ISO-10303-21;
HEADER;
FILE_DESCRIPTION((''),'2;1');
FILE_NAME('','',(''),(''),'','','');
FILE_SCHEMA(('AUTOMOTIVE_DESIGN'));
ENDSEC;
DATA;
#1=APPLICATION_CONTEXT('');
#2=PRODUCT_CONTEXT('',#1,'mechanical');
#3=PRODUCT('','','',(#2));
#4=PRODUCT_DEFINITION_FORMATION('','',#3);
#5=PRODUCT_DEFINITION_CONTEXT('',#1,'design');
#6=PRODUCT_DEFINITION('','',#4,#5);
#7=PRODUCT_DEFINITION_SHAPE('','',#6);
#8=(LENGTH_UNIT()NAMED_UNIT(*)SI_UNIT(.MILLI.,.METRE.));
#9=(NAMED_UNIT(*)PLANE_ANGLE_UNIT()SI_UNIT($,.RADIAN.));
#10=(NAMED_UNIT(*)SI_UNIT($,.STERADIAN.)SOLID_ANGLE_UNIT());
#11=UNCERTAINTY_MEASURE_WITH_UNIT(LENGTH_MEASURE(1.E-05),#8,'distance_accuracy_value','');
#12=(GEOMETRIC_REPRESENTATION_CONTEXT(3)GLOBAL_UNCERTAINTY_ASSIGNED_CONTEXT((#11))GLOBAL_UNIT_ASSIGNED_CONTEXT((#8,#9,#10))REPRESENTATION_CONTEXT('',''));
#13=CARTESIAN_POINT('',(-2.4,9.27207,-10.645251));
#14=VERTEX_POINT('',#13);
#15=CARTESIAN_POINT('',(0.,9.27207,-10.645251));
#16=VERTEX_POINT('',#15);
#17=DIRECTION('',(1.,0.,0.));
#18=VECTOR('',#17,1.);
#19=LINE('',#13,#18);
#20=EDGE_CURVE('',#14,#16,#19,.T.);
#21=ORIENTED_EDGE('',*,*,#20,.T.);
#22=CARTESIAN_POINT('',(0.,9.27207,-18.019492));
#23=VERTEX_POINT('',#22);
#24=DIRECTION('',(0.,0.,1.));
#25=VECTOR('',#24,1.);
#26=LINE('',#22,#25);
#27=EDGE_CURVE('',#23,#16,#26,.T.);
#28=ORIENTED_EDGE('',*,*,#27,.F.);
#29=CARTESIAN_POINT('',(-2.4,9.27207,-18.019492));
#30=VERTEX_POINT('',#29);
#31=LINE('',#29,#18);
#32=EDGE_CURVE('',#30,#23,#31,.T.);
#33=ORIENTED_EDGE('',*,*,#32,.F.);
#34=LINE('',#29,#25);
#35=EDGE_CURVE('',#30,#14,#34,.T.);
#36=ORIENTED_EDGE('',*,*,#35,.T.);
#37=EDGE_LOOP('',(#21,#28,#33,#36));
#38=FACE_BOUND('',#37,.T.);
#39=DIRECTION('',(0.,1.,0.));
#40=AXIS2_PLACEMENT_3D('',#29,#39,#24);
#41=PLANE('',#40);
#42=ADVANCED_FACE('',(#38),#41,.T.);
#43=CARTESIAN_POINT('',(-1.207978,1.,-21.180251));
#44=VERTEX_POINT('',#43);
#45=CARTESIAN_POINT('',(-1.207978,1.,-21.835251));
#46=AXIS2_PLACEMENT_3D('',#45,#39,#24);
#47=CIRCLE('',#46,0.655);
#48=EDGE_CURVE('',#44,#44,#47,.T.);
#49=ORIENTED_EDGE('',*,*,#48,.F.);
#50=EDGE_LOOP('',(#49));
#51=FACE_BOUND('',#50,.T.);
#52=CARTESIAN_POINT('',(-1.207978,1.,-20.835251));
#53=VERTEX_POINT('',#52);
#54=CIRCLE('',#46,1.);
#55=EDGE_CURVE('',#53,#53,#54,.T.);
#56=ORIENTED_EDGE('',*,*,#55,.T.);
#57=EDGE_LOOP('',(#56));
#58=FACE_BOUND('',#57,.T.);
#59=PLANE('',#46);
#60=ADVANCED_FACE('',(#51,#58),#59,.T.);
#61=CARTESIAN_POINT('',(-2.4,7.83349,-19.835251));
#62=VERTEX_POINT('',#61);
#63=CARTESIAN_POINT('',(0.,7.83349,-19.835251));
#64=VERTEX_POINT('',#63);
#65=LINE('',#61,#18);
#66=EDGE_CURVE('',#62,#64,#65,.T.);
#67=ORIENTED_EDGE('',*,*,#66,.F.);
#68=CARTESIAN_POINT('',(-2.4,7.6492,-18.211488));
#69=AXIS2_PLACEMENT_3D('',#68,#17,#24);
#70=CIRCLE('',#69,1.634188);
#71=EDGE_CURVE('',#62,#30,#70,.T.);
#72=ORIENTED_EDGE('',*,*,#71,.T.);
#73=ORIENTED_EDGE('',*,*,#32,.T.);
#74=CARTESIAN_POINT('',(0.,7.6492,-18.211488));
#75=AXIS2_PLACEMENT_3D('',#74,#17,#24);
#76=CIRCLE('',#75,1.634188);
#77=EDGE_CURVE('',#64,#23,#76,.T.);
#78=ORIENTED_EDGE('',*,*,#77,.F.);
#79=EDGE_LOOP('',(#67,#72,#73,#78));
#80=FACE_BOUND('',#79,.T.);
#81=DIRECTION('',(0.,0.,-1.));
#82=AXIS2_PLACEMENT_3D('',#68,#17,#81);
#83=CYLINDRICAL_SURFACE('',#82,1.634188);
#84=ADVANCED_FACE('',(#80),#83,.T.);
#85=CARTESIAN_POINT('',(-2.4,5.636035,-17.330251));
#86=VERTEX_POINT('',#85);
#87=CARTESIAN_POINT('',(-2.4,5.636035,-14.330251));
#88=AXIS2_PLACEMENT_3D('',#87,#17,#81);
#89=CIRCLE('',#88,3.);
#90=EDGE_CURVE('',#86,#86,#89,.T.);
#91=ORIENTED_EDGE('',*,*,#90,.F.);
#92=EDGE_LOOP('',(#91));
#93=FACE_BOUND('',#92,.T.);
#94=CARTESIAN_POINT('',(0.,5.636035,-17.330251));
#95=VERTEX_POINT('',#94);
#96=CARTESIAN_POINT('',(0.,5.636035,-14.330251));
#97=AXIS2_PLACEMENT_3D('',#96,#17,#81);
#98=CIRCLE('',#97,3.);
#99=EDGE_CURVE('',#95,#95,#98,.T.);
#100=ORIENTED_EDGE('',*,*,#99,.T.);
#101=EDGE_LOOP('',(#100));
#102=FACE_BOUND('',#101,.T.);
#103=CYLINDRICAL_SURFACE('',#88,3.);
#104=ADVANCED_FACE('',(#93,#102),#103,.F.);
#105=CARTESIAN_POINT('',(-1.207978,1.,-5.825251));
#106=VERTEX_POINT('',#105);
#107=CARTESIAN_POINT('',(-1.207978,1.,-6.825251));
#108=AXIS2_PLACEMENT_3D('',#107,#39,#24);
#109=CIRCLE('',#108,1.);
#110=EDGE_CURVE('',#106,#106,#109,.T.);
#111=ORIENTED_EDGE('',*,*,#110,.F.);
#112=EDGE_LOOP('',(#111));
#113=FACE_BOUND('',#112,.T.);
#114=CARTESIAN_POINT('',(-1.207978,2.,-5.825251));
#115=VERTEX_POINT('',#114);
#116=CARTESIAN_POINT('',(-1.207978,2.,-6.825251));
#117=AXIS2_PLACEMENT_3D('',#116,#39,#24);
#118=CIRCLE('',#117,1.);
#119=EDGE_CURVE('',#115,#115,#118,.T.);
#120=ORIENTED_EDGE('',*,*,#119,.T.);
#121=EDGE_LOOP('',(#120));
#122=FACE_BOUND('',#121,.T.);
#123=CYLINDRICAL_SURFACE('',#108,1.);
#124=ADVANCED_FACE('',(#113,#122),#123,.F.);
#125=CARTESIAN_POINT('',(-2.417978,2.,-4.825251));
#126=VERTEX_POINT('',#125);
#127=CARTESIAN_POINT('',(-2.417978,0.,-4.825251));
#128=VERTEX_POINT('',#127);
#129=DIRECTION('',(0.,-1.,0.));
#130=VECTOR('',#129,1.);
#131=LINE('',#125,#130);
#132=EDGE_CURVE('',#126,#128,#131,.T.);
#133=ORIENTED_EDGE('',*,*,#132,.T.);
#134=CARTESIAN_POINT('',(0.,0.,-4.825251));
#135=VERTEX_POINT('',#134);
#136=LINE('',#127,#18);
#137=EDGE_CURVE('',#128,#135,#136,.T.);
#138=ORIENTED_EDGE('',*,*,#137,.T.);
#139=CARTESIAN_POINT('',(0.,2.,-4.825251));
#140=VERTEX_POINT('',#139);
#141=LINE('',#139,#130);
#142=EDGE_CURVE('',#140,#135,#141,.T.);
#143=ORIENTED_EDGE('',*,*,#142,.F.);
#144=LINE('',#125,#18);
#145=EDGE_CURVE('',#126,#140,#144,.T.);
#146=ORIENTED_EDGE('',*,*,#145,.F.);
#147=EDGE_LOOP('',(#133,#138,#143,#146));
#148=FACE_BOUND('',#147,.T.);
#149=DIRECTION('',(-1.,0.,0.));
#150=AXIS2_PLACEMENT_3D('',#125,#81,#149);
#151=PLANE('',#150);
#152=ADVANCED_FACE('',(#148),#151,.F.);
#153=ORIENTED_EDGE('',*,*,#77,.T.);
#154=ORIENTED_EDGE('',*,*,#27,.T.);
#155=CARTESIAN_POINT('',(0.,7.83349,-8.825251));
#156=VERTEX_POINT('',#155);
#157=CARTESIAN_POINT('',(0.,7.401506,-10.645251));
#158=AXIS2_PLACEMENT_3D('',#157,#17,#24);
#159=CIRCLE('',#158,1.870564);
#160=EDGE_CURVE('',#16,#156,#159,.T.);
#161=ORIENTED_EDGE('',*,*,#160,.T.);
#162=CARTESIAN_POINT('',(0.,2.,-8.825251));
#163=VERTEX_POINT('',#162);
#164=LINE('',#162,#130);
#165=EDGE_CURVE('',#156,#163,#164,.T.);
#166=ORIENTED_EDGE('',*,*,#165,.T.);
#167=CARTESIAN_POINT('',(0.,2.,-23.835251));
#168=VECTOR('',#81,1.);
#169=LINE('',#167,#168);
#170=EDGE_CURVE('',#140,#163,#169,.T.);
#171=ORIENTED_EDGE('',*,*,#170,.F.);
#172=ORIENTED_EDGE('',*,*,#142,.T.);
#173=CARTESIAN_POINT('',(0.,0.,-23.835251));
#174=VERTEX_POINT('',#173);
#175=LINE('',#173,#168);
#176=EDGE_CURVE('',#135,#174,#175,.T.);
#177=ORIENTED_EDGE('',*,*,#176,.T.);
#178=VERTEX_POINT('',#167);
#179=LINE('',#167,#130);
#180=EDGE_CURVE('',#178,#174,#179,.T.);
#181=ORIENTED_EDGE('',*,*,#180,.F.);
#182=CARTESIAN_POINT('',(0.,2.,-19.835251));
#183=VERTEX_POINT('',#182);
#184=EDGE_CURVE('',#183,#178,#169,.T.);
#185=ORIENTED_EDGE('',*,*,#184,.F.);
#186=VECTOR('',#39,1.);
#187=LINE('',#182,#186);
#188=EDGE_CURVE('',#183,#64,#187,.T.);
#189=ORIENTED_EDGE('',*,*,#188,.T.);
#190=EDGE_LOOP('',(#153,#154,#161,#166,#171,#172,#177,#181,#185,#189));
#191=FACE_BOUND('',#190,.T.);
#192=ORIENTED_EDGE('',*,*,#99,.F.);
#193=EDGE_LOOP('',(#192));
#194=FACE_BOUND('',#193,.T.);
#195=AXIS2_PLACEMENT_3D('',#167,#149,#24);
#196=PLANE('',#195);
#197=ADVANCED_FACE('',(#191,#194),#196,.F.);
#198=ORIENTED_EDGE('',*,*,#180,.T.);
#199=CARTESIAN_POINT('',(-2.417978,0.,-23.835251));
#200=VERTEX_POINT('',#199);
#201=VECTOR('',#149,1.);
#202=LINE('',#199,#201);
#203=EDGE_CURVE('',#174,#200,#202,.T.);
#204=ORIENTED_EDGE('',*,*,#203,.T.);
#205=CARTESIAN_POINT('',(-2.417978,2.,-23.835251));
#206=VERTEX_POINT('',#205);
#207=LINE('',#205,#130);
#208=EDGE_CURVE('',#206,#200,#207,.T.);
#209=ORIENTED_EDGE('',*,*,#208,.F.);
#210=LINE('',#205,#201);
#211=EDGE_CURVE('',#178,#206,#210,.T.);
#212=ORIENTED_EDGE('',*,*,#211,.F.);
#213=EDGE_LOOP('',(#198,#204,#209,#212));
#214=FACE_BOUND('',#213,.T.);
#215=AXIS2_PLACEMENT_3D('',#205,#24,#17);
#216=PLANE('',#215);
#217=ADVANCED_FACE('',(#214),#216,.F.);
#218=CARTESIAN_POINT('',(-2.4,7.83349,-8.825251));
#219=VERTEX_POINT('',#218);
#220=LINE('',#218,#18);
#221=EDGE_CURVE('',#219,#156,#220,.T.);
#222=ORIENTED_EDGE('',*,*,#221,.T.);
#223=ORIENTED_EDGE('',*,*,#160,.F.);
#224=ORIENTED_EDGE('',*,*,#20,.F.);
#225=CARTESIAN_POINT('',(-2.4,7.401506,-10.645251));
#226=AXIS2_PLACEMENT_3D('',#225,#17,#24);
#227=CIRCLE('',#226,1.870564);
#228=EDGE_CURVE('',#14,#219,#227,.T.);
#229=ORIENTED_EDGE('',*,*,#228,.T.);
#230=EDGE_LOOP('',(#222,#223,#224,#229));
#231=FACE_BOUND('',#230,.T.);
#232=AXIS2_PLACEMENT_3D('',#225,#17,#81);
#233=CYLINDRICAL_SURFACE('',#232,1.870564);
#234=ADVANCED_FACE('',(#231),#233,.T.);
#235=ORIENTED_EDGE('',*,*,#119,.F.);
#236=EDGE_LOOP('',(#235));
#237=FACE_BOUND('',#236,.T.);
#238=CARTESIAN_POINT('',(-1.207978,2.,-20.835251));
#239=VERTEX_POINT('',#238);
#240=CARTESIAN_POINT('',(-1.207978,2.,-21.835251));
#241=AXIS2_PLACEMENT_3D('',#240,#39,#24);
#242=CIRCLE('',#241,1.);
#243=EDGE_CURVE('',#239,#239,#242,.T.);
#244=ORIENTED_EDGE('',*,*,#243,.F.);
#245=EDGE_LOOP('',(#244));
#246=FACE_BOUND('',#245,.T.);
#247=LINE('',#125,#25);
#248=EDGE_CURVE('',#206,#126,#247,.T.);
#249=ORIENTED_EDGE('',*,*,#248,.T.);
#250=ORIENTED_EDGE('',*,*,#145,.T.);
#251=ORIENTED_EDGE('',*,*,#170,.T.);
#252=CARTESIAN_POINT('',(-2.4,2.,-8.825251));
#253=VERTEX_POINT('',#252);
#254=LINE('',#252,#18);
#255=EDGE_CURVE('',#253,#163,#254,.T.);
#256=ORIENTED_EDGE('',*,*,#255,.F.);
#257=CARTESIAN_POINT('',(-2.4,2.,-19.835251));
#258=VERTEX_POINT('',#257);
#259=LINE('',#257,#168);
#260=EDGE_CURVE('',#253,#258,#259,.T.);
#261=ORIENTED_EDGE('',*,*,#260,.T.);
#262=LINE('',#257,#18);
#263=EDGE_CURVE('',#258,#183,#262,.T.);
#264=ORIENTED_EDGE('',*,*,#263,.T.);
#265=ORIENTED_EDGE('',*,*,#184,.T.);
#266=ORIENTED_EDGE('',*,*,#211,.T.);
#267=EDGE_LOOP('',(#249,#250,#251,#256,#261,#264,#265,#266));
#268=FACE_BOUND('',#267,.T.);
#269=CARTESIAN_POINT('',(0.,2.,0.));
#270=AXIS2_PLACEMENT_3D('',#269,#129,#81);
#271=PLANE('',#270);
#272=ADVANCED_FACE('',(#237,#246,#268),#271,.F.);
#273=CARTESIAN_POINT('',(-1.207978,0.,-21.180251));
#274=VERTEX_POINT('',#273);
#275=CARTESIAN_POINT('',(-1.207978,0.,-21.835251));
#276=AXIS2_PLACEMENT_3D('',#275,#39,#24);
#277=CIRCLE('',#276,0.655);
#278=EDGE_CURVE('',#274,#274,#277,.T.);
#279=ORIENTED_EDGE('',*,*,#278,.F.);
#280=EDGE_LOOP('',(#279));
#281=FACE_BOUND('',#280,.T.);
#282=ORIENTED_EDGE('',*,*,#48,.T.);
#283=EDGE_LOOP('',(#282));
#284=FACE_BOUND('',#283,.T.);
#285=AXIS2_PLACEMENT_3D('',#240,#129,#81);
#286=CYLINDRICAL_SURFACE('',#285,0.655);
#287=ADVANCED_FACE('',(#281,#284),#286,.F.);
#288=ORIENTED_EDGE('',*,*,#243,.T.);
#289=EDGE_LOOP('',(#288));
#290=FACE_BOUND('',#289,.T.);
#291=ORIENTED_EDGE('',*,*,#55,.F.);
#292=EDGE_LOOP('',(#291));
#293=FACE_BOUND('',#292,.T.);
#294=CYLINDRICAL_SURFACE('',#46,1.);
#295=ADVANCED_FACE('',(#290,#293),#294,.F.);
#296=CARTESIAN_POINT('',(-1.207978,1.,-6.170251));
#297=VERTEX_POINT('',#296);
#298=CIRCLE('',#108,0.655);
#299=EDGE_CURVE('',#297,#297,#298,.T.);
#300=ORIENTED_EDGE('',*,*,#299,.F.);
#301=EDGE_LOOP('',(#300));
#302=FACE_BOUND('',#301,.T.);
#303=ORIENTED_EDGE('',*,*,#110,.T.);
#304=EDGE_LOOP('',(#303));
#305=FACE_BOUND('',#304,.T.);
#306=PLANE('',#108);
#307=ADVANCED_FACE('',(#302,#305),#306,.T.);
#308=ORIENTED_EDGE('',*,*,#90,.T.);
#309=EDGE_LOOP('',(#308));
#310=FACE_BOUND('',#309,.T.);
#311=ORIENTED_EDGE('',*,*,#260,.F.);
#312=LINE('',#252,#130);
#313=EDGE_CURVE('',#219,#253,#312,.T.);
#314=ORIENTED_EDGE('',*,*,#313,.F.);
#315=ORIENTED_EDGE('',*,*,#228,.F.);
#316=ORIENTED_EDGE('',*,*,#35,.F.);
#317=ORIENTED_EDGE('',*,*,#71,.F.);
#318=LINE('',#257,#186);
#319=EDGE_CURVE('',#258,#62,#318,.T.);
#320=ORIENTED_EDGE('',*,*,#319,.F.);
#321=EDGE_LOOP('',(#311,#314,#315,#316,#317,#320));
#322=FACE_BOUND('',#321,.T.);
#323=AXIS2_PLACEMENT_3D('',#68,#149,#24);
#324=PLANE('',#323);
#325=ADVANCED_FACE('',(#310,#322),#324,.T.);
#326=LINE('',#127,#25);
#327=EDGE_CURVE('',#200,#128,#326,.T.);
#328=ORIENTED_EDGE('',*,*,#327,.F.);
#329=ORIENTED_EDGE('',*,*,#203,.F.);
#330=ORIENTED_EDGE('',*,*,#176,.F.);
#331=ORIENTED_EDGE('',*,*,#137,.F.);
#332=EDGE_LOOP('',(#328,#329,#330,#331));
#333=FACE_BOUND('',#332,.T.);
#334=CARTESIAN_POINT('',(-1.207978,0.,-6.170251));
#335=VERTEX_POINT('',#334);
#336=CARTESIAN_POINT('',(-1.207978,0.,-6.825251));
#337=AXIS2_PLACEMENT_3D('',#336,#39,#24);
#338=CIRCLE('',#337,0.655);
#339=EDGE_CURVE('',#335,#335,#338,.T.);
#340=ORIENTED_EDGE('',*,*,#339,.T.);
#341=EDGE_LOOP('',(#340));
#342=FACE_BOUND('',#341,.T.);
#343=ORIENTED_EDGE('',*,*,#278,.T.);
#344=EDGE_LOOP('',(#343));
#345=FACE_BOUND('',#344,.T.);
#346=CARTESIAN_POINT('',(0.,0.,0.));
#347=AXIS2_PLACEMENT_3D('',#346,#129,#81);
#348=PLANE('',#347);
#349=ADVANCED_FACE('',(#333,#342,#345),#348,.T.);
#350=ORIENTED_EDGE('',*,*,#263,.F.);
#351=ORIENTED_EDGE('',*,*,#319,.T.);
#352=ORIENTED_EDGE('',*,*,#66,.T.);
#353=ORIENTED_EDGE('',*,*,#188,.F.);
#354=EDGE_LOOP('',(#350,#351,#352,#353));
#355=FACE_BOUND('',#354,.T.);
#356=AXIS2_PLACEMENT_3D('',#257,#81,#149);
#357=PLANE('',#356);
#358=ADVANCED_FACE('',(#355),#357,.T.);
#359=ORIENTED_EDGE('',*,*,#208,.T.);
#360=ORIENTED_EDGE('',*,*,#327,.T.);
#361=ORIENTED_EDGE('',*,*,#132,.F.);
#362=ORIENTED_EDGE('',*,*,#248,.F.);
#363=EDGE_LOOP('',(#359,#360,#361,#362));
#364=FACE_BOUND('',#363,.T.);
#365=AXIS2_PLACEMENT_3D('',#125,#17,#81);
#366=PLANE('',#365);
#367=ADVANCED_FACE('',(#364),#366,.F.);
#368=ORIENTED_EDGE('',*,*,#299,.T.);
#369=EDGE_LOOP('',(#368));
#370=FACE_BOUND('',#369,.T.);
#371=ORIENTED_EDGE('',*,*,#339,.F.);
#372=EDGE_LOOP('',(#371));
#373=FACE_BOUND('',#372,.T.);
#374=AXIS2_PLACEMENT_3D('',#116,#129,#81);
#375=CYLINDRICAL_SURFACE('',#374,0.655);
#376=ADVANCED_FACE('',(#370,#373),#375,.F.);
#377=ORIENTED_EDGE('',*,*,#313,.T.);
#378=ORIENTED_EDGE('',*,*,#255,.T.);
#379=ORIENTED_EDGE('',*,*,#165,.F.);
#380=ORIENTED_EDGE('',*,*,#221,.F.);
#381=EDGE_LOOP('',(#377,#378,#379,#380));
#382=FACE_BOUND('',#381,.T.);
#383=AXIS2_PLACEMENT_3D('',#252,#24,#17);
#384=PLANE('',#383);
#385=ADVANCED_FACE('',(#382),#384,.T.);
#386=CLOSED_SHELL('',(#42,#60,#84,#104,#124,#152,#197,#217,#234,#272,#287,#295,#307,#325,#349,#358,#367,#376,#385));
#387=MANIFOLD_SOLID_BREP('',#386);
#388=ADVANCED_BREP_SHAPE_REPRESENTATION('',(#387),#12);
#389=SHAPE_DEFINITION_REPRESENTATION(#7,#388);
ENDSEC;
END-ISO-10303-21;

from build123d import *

# Parameters (mm, degrees)
SKETCH1_W           = 2.417978287
SKETCH1_H           = 19.01
SKETCH1_R           = 0.655
BOSS_EXTRUDE1_DEPTH = 2
SKETCH2_R           = 1
CUT_EXTRUDE1_DEPTH  = 1
SKETCH4_R           = 3
BOSS_EXTRUDE3_DEPTH = 2.4


with BuildPart() as part:
    # Sketch1 → Boss-Extrude1 (new body)
    with BuildSketch(Plane(origin=(0, 0, 0), x_dir=(1, 0, 0), z_dir=(0, 1, 0))):
        with Locations((-1.208989143, 14.330251099)):
            Rectangle(SKETCH1_W, SKETCH1_H)
        with Locations(Location((-1.207978287, 6.825251099, 0), (0, 0, 270))):
            Circle(SKETCH1_R, mode=Mode.SUBTRACT)
        with Locations(Location((-1.207978287, 21.835251099, 0), (0, 0, 270))):
            Circle(SKETCH1_R, mode=Mode.SUBTRACT)
    extrude(amount=BOSS_EXTRUDE1_DEPTH)

    # Sketch2 → Cut-Extrude1 (cut)
    with BuildSketch(Plane(origin=(0, 2, 0), x_dir=(1, 0, 0), z_dir=(0, 1, 0))):
        with Locations(Location((-1.207978287, 21.835251099, 0), (0, 0, 270))):
            Circle(SKETCH2_R)
        with Locations(Location((-1.207978287, 6.825251099, 0), (0, 0, 270))):
            Circle(SKETCH2_R)
    extrude(amount=-CUT_EXTRUDE1_DEPTH, mode=Mode.SUBTRACT)

    # Sketch4 → Boss-Extrude3 (add)
    with BuildSketch(Plane(origin=(0, 0, 0), x_dir=(0, 0, -1), z_dir=(1, 0, 0))):
        with BuildLine():
            Line((19.835251099, 2), (8.825251099, 2))
            Line((8.825251099, 2), (8.825251099, 7.833489784))
            ThreePointArc((8.825251099, 7.833489784), (9.485303513, 8.868997702), (10.645251099, 9.272070197))
            Line((10.645251099, 9.272070197), (18.019492282, 9.272070197))
            ThreePointArc((18.019492282, 9.272070197), (19.22631207, 8.930098925), (19.835251099, 7.833489784))
            Line((19.835251099, 7.833489784), (19.835251099, 2))
        make_face()
        with Locations((14.330251099, 5.636035099)):
            Circle(SKETCH4_R, mode=Mode.SUBTRACT)
    extrude(amount=-BOSS_EXTRUDE3_DEPTH)


solid = part.part
